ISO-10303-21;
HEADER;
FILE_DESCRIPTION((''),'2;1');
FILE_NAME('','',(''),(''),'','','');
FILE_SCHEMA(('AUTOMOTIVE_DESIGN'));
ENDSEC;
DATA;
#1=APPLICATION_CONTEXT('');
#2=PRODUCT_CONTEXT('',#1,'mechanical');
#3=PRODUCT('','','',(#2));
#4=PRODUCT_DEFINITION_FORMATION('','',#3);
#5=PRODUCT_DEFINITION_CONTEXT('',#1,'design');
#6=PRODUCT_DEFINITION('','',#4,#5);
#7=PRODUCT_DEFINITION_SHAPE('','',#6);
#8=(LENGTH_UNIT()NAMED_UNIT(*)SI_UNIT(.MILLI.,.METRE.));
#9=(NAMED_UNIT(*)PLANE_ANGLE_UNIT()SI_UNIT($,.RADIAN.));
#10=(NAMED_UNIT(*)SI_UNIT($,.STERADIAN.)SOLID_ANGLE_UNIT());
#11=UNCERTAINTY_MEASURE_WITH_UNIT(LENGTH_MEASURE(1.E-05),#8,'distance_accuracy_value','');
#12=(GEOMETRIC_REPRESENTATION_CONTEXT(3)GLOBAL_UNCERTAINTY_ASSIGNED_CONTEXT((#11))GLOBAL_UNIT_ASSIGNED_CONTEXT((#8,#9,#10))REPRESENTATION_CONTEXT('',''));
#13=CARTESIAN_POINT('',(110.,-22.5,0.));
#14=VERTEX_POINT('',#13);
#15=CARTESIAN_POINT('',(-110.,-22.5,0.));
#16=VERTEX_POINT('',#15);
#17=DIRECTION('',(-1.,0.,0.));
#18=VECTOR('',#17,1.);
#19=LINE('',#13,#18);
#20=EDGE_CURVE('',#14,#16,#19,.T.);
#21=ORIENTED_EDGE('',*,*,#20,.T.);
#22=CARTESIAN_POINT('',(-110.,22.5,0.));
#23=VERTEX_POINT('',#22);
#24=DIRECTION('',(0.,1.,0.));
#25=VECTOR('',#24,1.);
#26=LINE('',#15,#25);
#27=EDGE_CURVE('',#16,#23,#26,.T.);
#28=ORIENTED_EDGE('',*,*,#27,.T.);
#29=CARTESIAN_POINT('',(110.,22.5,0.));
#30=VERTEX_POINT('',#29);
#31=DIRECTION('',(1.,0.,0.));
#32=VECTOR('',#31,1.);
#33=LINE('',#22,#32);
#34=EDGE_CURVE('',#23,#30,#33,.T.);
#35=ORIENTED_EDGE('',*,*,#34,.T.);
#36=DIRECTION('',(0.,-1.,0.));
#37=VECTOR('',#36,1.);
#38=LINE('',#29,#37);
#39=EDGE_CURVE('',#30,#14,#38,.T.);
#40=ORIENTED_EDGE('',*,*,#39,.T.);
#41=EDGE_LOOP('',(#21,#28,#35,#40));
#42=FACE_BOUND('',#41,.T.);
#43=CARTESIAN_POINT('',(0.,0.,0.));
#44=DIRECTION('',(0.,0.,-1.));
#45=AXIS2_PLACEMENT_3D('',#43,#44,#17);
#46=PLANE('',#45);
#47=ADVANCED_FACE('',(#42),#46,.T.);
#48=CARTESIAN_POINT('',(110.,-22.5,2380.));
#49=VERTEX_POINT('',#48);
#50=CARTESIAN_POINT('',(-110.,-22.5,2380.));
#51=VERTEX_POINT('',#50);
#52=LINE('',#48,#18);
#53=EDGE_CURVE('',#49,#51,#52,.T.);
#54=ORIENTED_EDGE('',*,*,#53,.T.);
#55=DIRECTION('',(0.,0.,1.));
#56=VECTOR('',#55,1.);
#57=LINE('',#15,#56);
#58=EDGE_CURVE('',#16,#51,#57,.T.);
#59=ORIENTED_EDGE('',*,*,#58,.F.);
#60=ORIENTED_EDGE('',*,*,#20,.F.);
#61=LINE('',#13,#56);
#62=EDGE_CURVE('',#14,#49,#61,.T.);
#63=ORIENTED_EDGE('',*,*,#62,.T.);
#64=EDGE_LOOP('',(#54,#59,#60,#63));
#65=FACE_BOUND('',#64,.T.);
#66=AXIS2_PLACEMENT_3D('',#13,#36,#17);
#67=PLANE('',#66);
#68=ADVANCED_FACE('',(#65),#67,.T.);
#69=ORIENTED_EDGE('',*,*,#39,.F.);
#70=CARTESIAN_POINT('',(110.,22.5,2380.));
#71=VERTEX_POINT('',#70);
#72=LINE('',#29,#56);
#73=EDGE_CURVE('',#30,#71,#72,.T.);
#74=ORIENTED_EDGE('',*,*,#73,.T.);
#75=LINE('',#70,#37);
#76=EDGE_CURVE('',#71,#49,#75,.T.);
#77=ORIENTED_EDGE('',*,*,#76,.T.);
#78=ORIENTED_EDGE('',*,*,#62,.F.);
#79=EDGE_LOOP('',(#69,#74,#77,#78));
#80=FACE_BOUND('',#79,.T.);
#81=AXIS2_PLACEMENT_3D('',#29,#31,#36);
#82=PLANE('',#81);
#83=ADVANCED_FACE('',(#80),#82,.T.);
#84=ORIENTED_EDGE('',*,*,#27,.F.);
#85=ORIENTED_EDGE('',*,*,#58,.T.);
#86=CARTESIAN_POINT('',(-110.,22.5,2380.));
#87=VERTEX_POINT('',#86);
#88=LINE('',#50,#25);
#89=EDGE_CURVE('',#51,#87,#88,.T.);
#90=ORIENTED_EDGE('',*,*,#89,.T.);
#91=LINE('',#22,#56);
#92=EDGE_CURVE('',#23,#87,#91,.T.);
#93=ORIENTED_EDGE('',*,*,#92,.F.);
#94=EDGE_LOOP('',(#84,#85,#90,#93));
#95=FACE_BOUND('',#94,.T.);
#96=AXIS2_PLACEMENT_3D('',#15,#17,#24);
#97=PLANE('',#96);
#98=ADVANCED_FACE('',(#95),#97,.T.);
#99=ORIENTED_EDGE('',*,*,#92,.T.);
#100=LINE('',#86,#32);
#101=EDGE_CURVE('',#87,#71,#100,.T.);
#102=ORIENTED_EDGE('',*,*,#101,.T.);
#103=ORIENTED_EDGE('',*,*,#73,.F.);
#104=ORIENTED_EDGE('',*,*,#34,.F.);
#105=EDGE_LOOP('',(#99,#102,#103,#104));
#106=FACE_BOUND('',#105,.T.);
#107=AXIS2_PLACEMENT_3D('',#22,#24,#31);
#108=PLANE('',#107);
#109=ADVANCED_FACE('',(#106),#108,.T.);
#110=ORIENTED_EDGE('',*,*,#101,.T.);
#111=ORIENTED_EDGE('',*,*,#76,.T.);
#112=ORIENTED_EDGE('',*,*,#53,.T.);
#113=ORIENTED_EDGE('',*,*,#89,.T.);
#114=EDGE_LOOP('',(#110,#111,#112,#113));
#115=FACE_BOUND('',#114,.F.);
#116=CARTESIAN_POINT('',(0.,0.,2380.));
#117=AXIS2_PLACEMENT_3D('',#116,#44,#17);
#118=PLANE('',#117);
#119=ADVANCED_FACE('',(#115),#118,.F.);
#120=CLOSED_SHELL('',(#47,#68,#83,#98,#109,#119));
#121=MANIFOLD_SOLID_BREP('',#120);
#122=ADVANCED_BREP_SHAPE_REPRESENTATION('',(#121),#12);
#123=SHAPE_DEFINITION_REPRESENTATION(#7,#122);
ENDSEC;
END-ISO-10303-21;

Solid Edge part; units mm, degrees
sketch "Sketch1" plane through (0, 0, 0) normal (0, 0, -1) x (-1, 0, 0)
  line L0 (-110, -22.5) -> (110, -22.5)
  line L1 (110, -22.5) -> (110, 22.5)
  line L2 (110, 22.5) -> (-110, 22.5)
  line L3 (-110, 22.5) -> (-110, -22.5)
extrude "Protrusion1" add sketch "Sketch1" against normal blind 2380
properties material "Wood, Pine"
